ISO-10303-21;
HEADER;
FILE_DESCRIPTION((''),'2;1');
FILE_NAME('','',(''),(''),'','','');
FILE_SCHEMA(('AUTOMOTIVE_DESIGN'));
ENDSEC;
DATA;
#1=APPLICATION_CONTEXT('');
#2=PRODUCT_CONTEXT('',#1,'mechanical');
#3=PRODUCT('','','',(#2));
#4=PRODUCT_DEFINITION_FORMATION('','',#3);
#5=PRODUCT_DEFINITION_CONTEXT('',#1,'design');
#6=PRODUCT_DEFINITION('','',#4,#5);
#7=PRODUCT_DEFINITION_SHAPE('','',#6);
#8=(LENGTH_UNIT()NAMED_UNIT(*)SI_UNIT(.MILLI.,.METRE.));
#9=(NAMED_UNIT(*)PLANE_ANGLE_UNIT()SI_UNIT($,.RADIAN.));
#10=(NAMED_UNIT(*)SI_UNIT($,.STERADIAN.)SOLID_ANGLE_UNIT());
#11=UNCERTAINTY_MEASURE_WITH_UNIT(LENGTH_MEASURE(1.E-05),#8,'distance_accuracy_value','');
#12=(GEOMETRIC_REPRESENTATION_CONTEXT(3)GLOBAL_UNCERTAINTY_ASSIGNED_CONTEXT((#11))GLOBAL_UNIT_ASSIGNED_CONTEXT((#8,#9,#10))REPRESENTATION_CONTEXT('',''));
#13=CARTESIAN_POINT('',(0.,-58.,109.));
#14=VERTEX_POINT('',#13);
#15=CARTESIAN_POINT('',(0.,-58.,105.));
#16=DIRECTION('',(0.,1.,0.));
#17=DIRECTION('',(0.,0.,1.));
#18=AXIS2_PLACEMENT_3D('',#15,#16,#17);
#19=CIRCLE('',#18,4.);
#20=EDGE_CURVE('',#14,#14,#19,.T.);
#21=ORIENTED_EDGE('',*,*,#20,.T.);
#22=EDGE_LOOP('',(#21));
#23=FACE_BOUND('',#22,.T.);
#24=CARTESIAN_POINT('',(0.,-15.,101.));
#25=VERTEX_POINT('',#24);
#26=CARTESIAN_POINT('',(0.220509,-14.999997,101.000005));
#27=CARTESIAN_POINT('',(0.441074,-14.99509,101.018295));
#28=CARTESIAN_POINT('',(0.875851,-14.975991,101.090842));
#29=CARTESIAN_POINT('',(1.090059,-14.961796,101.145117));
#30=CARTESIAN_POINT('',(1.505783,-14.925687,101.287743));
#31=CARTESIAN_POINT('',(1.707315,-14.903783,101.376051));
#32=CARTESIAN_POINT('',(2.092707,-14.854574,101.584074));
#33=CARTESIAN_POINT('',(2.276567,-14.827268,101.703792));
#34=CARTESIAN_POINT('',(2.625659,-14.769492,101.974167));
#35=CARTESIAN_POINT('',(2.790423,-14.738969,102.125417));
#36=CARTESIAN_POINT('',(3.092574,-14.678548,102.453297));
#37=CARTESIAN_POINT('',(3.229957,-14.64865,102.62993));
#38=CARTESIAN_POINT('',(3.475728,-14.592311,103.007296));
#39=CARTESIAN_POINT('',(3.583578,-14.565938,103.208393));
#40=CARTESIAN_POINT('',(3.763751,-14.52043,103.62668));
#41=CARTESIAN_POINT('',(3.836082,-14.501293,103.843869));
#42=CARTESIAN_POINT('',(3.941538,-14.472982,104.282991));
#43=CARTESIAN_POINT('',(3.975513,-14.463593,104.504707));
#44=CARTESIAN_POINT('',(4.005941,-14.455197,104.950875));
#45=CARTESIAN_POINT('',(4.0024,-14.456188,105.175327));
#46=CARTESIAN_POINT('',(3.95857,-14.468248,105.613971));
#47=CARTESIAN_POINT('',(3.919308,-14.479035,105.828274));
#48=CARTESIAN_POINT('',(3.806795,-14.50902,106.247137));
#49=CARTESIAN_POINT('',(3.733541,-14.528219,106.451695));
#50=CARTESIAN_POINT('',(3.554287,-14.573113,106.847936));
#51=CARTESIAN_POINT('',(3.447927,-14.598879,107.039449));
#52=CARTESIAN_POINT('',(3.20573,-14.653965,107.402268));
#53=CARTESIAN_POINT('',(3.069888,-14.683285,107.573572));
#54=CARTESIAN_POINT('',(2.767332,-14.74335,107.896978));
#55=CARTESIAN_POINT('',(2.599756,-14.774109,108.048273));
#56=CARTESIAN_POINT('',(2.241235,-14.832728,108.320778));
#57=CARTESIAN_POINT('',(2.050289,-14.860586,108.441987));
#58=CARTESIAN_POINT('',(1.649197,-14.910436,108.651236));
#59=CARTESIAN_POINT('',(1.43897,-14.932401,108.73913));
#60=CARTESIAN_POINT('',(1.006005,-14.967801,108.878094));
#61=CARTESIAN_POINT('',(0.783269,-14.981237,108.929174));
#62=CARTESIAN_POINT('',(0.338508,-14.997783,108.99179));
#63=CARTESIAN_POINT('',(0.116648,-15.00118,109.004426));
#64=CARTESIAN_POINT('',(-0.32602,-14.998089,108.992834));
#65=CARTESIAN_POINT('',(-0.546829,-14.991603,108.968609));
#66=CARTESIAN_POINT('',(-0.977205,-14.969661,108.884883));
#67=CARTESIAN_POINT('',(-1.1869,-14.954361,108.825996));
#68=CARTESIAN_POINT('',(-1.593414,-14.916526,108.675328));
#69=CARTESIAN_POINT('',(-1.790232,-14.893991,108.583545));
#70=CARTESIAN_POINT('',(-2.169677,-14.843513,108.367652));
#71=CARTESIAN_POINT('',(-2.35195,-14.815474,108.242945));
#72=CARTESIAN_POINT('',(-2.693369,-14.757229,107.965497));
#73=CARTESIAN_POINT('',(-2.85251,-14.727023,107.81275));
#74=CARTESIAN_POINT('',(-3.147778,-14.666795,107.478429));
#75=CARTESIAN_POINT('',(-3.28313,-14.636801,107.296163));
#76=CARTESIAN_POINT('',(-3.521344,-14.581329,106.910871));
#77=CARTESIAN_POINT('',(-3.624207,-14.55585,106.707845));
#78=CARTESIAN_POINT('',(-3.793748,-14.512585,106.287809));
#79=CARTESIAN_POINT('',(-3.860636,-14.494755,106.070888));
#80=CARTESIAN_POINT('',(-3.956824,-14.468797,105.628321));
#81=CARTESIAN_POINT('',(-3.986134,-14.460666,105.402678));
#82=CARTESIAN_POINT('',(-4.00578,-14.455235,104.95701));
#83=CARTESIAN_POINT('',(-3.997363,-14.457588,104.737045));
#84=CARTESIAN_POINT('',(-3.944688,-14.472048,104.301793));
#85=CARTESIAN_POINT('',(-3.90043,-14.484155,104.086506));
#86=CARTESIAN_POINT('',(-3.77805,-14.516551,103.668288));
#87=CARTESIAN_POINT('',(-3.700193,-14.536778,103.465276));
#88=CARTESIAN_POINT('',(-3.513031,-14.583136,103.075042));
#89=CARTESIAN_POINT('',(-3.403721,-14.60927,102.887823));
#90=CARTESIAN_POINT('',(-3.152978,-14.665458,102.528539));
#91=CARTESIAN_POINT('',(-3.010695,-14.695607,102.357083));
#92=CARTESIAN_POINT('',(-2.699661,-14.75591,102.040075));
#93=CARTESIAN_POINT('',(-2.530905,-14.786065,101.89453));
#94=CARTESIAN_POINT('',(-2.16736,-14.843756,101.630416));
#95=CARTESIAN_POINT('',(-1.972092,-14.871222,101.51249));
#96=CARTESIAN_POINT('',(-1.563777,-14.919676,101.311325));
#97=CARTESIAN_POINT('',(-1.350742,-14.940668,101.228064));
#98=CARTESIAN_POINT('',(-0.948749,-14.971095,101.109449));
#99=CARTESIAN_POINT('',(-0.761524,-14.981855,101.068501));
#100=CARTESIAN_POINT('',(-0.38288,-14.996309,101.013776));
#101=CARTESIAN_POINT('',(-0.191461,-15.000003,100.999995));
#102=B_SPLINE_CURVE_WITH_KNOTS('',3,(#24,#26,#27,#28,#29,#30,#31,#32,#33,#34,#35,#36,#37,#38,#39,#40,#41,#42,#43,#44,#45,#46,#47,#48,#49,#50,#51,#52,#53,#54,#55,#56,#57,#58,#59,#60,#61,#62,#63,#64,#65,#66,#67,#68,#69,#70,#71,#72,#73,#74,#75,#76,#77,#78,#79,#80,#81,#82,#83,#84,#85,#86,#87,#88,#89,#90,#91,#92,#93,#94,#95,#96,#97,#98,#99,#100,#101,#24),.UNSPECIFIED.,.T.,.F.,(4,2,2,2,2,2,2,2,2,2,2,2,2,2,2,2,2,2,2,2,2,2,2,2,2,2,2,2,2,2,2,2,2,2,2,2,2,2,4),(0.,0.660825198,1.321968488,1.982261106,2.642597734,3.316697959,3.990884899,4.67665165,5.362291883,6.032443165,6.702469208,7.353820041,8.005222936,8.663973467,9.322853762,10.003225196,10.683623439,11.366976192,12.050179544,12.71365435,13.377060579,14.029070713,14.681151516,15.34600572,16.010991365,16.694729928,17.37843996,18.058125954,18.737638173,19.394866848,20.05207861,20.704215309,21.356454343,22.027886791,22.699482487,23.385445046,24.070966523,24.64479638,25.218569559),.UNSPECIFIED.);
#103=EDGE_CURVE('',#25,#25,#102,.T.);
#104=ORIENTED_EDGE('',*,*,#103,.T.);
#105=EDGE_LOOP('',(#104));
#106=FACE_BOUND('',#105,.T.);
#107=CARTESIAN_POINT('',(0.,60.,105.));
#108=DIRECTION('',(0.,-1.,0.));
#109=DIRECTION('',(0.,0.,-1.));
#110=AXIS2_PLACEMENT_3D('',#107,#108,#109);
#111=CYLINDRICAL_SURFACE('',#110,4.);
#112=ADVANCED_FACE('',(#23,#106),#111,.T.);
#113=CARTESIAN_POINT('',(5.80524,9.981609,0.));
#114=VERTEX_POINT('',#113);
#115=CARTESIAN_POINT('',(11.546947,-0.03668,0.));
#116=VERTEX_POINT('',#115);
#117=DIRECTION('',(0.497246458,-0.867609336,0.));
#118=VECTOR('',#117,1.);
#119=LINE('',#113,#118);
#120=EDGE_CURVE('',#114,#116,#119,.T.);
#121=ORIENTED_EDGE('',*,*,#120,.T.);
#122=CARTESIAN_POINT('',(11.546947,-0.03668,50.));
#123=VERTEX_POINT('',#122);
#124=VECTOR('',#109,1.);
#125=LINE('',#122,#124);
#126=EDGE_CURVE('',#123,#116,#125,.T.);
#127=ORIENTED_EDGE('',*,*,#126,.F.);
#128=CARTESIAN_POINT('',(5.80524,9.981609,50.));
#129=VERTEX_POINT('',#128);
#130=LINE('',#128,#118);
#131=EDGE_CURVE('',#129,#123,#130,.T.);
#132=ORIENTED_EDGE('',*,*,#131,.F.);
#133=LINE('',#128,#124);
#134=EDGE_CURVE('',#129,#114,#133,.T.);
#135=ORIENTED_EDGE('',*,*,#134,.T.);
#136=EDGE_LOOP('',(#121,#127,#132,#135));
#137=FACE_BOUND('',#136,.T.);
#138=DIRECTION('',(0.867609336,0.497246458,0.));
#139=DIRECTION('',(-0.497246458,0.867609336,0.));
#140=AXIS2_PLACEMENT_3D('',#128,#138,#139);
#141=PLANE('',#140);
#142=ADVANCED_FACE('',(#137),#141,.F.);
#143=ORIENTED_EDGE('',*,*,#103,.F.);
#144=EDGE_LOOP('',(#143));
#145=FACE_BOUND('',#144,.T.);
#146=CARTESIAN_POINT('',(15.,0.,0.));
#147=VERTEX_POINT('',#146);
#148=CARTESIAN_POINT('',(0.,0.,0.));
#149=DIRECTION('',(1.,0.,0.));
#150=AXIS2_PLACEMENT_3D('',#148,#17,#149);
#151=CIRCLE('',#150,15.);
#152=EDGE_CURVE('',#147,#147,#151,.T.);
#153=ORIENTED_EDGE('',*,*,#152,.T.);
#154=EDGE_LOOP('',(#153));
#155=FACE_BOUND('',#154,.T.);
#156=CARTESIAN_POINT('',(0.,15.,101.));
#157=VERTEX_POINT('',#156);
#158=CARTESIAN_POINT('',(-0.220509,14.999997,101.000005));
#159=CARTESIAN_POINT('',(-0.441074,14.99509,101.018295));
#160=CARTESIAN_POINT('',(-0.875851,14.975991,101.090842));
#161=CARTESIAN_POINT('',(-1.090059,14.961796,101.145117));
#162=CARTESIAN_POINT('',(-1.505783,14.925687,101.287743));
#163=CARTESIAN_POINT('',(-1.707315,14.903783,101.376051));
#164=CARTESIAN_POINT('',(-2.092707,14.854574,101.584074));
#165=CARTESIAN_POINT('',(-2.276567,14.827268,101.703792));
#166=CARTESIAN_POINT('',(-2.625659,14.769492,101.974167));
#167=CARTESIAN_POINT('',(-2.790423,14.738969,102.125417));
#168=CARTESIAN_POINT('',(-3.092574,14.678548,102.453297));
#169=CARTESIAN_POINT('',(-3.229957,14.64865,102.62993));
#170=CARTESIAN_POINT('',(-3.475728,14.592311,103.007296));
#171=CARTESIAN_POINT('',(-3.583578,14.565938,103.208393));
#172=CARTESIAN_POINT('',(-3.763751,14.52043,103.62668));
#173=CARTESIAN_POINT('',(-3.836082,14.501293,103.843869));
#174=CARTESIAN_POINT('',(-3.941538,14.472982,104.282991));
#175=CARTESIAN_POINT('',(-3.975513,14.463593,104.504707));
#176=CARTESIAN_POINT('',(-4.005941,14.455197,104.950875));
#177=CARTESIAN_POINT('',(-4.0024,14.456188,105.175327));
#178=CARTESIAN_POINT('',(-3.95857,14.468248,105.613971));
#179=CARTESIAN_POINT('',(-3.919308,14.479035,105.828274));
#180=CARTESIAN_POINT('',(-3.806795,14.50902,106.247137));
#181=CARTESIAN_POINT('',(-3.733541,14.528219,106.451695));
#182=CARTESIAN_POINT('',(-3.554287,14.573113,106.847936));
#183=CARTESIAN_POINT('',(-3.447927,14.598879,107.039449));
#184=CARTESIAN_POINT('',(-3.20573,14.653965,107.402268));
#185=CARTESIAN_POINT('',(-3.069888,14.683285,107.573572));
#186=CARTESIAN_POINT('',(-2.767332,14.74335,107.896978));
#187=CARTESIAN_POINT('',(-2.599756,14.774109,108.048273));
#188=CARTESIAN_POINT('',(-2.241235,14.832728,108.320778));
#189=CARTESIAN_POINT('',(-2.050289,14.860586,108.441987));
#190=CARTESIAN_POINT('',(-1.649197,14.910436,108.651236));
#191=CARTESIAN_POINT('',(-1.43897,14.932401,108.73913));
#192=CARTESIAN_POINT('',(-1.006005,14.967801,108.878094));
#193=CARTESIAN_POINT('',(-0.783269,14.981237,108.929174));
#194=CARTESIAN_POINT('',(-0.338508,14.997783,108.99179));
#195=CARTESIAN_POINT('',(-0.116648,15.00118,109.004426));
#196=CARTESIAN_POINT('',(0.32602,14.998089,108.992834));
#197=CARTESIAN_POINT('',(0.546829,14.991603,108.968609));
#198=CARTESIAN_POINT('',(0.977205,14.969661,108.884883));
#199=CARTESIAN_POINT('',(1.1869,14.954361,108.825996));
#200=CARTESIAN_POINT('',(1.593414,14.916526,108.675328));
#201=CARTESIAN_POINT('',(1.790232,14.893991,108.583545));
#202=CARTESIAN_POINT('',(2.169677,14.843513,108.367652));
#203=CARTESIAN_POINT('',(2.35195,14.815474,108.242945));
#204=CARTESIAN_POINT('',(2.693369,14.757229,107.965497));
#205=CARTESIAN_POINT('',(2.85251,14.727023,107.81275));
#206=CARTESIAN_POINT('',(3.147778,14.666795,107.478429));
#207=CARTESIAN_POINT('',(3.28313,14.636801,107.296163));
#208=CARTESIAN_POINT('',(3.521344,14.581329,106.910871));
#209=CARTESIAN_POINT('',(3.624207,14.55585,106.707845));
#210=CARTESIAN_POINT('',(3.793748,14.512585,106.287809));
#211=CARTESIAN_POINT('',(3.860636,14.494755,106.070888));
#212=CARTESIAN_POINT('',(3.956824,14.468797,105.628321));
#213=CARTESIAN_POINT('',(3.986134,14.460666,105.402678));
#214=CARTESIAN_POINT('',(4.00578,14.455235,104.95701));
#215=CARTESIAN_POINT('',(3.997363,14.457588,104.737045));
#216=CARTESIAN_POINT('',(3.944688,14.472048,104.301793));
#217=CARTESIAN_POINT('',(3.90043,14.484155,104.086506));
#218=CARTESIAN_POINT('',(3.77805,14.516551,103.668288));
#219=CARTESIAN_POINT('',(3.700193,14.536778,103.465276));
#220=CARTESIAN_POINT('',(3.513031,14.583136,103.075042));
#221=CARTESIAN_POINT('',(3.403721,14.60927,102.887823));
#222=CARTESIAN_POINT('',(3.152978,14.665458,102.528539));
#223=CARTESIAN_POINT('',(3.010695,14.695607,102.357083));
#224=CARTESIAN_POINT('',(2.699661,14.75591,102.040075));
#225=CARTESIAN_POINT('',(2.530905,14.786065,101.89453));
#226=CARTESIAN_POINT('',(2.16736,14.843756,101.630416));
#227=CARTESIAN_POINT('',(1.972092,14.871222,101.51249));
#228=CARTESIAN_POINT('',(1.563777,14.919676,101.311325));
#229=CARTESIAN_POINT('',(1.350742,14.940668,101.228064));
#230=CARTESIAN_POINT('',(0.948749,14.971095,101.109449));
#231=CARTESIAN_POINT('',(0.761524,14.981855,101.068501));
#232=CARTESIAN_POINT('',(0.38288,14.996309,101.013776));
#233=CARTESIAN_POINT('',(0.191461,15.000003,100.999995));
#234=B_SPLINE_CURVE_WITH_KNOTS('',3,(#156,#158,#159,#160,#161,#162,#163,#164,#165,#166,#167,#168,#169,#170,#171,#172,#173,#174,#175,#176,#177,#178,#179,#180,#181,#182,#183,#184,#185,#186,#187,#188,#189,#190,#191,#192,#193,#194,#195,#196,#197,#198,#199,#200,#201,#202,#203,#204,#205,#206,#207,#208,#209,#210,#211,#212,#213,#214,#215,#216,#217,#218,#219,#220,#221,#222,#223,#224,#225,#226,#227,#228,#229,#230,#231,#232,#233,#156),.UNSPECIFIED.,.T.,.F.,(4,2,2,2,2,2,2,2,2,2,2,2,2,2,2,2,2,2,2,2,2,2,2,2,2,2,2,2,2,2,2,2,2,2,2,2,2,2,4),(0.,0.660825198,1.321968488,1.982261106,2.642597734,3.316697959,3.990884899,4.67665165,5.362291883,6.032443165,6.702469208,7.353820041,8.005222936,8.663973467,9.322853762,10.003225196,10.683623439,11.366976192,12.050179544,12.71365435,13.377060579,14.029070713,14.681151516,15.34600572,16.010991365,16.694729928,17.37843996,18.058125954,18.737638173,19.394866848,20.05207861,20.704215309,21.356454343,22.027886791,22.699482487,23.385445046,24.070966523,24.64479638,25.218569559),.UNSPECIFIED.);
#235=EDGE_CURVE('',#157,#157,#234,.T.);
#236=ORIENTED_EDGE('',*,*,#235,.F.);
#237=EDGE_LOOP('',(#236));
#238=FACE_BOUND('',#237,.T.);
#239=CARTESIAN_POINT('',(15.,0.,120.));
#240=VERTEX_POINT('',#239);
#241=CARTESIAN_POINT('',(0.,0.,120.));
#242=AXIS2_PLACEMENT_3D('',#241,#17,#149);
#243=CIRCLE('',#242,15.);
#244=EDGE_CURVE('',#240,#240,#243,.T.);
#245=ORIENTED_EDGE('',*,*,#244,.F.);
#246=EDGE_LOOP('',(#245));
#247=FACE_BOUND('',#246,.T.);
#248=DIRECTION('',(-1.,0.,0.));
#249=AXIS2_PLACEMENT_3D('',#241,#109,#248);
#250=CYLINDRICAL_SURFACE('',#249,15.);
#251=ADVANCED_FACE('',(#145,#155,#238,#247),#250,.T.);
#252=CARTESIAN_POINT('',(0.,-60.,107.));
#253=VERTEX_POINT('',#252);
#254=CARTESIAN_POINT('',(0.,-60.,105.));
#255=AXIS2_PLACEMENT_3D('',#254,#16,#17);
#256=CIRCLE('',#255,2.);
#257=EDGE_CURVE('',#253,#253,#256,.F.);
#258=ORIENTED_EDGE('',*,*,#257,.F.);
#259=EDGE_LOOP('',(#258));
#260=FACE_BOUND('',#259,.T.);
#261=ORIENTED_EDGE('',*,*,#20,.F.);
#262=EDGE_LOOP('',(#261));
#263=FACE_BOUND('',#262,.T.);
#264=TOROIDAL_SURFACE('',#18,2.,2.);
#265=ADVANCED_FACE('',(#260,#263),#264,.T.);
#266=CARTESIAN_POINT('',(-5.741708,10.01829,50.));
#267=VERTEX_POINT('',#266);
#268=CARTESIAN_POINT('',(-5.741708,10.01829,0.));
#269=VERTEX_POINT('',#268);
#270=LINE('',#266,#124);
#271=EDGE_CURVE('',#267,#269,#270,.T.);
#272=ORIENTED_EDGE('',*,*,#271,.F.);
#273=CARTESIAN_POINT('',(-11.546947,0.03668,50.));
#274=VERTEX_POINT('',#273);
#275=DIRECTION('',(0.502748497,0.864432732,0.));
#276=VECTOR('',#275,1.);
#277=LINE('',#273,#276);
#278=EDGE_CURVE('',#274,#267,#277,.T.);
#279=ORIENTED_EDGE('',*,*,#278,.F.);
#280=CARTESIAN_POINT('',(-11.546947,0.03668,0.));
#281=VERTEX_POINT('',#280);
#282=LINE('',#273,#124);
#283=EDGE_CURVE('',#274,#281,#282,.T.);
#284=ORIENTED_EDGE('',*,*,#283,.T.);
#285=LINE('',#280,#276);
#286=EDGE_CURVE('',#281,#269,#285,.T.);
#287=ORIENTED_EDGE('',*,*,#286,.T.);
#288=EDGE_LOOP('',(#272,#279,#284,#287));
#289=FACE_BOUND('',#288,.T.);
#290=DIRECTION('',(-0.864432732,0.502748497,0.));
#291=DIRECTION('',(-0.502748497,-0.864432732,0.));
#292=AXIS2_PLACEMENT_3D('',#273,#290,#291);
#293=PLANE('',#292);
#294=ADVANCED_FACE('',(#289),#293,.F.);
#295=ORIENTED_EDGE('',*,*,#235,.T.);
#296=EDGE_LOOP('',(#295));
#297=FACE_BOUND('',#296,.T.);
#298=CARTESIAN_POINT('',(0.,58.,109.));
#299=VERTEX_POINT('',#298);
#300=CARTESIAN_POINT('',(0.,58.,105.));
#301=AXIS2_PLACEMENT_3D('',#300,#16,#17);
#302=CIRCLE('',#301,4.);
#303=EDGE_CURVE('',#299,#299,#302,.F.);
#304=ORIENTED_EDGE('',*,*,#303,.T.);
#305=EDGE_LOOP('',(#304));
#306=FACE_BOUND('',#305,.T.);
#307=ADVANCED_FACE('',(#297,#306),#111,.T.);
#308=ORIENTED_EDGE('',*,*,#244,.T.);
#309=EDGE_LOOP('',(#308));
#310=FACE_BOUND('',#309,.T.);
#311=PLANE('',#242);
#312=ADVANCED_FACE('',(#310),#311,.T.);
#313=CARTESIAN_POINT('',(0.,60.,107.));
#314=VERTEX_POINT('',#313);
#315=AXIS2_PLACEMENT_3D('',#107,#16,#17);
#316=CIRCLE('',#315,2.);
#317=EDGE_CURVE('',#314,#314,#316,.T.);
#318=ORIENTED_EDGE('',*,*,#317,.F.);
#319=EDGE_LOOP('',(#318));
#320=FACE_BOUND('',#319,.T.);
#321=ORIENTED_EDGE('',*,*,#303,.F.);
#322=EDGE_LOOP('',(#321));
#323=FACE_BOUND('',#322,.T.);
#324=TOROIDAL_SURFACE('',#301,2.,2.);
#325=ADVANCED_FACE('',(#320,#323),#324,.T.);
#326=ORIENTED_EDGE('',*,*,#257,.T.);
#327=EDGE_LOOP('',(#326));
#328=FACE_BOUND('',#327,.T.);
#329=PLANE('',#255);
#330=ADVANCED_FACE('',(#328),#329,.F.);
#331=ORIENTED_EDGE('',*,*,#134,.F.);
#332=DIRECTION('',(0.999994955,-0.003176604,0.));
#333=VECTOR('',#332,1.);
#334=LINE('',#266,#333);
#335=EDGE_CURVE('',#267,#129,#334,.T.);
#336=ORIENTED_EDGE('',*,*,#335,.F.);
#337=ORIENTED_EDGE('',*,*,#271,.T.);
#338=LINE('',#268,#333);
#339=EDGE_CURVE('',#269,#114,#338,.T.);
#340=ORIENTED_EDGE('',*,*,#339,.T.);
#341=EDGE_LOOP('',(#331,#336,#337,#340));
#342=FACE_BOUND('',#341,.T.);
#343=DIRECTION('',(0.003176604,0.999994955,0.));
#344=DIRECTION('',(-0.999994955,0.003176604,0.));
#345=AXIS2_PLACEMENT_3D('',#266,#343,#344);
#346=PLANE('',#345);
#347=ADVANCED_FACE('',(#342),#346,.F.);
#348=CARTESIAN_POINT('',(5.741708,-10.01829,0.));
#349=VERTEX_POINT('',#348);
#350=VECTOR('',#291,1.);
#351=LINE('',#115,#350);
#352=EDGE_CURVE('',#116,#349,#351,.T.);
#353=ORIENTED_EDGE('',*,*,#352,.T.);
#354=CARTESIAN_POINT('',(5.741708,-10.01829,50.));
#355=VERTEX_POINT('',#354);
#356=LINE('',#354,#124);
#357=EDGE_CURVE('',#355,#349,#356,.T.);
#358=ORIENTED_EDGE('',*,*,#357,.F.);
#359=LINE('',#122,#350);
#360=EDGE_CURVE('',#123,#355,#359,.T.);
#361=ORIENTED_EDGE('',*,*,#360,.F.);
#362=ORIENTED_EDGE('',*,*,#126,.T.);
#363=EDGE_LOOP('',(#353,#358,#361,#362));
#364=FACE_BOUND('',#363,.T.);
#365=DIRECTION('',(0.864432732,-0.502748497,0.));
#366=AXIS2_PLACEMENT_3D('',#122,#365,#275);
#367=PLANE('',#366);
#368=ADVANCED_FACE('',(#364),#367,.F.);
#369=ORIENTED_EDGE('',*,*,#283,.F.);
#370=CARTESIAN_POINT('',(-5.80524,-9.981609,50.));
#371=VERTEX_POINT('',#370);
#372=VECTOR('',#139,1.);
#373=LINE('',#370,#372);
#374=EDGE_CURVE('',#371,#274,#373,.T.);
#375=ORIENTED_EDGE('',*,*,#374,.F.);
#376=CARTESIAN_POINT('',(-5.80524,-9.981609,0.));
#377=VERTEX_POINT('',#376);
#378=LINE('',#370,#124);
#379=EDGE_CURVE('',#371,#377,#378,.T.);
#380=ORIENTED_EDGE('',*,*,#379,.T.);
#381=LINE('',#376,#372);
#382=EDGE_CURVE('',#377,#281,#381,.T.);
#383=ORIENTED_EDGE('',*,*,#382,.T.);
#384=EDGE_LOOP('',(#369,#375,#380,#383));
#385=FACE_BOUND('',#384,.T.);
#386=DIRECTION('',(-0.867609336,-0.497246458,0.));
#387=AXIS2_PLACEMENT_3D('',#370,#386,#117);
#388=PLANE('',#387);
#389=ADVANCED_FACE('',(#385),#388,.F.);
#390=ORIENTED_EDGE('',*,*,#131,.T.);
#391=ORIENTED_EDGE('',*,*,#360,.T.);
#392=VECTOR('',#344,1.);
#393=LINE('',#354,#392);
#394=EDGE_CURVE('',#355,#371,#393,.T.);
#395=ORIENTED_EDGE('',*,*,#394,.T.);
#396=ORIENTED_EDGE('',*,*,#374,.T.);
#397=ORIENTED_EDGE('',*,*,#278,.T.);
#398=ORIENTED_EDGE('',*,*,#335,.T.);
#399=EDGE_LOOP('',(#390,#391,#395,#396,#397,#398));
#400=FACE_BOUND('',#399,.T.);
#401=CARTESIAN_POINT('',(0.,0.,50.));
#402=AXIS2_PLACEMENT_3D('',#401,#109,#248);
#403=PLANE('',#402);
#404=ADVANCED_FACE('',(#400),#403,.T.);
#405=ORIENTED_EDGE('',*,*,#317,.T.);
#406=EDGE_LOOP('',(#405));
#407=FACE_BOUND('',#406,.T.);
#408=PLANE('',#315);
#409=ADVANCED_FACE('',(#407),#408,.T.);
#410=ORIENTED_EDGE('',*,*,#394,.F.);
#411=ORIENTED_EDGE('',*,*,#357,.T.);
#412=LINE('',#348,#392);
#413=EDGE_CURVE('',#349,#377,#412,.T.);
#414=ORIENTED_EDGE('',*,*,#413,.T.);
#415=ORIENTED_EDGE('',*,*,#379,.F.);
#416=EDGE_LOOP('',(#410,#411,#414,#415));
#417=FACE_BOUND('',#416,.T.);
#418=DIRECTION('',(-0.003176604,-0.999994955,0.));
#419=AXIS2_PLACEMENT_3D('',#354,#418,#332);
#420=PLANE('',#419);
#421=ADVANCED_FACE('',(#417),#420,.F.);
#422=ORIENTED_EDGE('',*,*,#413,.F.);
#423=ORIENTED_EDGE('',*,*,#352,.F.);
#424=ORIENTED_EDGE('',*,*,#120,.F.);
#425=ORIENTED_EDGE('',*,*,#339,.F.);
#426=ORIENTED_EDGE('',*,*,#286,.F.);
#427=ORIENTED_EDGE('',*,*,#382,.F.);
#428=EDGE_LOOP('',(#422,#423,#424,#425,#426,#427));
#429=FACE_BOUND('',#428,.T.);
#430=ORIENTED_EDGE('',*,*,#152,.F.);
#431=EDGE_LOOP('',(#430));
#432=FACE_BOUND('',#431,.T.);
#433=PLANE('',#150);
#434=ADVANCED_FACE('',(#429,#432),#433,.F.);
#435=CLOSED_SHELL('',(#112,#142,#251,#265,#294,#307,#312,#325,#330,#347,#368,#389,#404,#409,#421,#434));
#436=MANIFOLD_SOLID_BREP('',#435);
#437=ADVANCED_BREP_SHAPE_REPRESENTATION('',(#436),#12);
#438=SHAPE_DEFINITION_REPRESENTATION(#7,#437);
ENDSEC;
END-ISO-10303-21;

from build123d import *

# Parameters (mm, degrees)
CROQUIS2_R              = 15
SALIENTE_EXTRUIR1_DEPTH = 120
CORTAR_EXTRUIR1_DEPTH   = 50
CROQUIS4_R              = 4
SALIENTE_EXTRUIR2_DEPTH = 60
REDONDEO5_R             = 2


with BuildPart() as part:
    # Croquis2 → Saliente-Extruir1 (new body)
    with BuildSketch(Plane.XY):
        Circle(CROQUIS2_R)
    extrude(amount=SALIENTE_EXTRUIR1_DEPTH)

    # Croquis3 → Cortar-Extruir1 (cut)
    with BuildSketch(Plane(origin=(0, 0, 0), x_dir=(-1, 0, 0), z_dir=(0, 0, -1))):
        Polygon((5.741707523, 10.018289677), (-5.805239602, 9.981609414), (-11.546947124, -0.036680263), (-5.741707523, -10.018289677), (5.805239602, -9.981609414), (11.546947124, 0.036680263), align=None)
    extrude(amount=-CORTAR_EXTRUIR1_DEPTH, mode=Mode.SUBTRACT)

    # Croquis4 → Saliente-Extruir2 (add, symmetric)
    with BuildSketch(Plane(origin=(0, 0, 0), x_dir=(1, 0, 0), z_dir=(0, 1, 0))):
        with Locations((0, -105)):
            Circle(CROQUIS4_R)
    extrude(amount=SALIENTE_EXTRUIR2_DEPTH, both=True)

    # Redondeo5
    redondeo5_edges = [part.edges().sort_by_distance(p)[0] for p in [
        (-4, -60, 105),
        (-4, 60, 105),
    ]]
    fillet(redondeo5_edges, radius=REDONDEO5_R)


solid = part.part
